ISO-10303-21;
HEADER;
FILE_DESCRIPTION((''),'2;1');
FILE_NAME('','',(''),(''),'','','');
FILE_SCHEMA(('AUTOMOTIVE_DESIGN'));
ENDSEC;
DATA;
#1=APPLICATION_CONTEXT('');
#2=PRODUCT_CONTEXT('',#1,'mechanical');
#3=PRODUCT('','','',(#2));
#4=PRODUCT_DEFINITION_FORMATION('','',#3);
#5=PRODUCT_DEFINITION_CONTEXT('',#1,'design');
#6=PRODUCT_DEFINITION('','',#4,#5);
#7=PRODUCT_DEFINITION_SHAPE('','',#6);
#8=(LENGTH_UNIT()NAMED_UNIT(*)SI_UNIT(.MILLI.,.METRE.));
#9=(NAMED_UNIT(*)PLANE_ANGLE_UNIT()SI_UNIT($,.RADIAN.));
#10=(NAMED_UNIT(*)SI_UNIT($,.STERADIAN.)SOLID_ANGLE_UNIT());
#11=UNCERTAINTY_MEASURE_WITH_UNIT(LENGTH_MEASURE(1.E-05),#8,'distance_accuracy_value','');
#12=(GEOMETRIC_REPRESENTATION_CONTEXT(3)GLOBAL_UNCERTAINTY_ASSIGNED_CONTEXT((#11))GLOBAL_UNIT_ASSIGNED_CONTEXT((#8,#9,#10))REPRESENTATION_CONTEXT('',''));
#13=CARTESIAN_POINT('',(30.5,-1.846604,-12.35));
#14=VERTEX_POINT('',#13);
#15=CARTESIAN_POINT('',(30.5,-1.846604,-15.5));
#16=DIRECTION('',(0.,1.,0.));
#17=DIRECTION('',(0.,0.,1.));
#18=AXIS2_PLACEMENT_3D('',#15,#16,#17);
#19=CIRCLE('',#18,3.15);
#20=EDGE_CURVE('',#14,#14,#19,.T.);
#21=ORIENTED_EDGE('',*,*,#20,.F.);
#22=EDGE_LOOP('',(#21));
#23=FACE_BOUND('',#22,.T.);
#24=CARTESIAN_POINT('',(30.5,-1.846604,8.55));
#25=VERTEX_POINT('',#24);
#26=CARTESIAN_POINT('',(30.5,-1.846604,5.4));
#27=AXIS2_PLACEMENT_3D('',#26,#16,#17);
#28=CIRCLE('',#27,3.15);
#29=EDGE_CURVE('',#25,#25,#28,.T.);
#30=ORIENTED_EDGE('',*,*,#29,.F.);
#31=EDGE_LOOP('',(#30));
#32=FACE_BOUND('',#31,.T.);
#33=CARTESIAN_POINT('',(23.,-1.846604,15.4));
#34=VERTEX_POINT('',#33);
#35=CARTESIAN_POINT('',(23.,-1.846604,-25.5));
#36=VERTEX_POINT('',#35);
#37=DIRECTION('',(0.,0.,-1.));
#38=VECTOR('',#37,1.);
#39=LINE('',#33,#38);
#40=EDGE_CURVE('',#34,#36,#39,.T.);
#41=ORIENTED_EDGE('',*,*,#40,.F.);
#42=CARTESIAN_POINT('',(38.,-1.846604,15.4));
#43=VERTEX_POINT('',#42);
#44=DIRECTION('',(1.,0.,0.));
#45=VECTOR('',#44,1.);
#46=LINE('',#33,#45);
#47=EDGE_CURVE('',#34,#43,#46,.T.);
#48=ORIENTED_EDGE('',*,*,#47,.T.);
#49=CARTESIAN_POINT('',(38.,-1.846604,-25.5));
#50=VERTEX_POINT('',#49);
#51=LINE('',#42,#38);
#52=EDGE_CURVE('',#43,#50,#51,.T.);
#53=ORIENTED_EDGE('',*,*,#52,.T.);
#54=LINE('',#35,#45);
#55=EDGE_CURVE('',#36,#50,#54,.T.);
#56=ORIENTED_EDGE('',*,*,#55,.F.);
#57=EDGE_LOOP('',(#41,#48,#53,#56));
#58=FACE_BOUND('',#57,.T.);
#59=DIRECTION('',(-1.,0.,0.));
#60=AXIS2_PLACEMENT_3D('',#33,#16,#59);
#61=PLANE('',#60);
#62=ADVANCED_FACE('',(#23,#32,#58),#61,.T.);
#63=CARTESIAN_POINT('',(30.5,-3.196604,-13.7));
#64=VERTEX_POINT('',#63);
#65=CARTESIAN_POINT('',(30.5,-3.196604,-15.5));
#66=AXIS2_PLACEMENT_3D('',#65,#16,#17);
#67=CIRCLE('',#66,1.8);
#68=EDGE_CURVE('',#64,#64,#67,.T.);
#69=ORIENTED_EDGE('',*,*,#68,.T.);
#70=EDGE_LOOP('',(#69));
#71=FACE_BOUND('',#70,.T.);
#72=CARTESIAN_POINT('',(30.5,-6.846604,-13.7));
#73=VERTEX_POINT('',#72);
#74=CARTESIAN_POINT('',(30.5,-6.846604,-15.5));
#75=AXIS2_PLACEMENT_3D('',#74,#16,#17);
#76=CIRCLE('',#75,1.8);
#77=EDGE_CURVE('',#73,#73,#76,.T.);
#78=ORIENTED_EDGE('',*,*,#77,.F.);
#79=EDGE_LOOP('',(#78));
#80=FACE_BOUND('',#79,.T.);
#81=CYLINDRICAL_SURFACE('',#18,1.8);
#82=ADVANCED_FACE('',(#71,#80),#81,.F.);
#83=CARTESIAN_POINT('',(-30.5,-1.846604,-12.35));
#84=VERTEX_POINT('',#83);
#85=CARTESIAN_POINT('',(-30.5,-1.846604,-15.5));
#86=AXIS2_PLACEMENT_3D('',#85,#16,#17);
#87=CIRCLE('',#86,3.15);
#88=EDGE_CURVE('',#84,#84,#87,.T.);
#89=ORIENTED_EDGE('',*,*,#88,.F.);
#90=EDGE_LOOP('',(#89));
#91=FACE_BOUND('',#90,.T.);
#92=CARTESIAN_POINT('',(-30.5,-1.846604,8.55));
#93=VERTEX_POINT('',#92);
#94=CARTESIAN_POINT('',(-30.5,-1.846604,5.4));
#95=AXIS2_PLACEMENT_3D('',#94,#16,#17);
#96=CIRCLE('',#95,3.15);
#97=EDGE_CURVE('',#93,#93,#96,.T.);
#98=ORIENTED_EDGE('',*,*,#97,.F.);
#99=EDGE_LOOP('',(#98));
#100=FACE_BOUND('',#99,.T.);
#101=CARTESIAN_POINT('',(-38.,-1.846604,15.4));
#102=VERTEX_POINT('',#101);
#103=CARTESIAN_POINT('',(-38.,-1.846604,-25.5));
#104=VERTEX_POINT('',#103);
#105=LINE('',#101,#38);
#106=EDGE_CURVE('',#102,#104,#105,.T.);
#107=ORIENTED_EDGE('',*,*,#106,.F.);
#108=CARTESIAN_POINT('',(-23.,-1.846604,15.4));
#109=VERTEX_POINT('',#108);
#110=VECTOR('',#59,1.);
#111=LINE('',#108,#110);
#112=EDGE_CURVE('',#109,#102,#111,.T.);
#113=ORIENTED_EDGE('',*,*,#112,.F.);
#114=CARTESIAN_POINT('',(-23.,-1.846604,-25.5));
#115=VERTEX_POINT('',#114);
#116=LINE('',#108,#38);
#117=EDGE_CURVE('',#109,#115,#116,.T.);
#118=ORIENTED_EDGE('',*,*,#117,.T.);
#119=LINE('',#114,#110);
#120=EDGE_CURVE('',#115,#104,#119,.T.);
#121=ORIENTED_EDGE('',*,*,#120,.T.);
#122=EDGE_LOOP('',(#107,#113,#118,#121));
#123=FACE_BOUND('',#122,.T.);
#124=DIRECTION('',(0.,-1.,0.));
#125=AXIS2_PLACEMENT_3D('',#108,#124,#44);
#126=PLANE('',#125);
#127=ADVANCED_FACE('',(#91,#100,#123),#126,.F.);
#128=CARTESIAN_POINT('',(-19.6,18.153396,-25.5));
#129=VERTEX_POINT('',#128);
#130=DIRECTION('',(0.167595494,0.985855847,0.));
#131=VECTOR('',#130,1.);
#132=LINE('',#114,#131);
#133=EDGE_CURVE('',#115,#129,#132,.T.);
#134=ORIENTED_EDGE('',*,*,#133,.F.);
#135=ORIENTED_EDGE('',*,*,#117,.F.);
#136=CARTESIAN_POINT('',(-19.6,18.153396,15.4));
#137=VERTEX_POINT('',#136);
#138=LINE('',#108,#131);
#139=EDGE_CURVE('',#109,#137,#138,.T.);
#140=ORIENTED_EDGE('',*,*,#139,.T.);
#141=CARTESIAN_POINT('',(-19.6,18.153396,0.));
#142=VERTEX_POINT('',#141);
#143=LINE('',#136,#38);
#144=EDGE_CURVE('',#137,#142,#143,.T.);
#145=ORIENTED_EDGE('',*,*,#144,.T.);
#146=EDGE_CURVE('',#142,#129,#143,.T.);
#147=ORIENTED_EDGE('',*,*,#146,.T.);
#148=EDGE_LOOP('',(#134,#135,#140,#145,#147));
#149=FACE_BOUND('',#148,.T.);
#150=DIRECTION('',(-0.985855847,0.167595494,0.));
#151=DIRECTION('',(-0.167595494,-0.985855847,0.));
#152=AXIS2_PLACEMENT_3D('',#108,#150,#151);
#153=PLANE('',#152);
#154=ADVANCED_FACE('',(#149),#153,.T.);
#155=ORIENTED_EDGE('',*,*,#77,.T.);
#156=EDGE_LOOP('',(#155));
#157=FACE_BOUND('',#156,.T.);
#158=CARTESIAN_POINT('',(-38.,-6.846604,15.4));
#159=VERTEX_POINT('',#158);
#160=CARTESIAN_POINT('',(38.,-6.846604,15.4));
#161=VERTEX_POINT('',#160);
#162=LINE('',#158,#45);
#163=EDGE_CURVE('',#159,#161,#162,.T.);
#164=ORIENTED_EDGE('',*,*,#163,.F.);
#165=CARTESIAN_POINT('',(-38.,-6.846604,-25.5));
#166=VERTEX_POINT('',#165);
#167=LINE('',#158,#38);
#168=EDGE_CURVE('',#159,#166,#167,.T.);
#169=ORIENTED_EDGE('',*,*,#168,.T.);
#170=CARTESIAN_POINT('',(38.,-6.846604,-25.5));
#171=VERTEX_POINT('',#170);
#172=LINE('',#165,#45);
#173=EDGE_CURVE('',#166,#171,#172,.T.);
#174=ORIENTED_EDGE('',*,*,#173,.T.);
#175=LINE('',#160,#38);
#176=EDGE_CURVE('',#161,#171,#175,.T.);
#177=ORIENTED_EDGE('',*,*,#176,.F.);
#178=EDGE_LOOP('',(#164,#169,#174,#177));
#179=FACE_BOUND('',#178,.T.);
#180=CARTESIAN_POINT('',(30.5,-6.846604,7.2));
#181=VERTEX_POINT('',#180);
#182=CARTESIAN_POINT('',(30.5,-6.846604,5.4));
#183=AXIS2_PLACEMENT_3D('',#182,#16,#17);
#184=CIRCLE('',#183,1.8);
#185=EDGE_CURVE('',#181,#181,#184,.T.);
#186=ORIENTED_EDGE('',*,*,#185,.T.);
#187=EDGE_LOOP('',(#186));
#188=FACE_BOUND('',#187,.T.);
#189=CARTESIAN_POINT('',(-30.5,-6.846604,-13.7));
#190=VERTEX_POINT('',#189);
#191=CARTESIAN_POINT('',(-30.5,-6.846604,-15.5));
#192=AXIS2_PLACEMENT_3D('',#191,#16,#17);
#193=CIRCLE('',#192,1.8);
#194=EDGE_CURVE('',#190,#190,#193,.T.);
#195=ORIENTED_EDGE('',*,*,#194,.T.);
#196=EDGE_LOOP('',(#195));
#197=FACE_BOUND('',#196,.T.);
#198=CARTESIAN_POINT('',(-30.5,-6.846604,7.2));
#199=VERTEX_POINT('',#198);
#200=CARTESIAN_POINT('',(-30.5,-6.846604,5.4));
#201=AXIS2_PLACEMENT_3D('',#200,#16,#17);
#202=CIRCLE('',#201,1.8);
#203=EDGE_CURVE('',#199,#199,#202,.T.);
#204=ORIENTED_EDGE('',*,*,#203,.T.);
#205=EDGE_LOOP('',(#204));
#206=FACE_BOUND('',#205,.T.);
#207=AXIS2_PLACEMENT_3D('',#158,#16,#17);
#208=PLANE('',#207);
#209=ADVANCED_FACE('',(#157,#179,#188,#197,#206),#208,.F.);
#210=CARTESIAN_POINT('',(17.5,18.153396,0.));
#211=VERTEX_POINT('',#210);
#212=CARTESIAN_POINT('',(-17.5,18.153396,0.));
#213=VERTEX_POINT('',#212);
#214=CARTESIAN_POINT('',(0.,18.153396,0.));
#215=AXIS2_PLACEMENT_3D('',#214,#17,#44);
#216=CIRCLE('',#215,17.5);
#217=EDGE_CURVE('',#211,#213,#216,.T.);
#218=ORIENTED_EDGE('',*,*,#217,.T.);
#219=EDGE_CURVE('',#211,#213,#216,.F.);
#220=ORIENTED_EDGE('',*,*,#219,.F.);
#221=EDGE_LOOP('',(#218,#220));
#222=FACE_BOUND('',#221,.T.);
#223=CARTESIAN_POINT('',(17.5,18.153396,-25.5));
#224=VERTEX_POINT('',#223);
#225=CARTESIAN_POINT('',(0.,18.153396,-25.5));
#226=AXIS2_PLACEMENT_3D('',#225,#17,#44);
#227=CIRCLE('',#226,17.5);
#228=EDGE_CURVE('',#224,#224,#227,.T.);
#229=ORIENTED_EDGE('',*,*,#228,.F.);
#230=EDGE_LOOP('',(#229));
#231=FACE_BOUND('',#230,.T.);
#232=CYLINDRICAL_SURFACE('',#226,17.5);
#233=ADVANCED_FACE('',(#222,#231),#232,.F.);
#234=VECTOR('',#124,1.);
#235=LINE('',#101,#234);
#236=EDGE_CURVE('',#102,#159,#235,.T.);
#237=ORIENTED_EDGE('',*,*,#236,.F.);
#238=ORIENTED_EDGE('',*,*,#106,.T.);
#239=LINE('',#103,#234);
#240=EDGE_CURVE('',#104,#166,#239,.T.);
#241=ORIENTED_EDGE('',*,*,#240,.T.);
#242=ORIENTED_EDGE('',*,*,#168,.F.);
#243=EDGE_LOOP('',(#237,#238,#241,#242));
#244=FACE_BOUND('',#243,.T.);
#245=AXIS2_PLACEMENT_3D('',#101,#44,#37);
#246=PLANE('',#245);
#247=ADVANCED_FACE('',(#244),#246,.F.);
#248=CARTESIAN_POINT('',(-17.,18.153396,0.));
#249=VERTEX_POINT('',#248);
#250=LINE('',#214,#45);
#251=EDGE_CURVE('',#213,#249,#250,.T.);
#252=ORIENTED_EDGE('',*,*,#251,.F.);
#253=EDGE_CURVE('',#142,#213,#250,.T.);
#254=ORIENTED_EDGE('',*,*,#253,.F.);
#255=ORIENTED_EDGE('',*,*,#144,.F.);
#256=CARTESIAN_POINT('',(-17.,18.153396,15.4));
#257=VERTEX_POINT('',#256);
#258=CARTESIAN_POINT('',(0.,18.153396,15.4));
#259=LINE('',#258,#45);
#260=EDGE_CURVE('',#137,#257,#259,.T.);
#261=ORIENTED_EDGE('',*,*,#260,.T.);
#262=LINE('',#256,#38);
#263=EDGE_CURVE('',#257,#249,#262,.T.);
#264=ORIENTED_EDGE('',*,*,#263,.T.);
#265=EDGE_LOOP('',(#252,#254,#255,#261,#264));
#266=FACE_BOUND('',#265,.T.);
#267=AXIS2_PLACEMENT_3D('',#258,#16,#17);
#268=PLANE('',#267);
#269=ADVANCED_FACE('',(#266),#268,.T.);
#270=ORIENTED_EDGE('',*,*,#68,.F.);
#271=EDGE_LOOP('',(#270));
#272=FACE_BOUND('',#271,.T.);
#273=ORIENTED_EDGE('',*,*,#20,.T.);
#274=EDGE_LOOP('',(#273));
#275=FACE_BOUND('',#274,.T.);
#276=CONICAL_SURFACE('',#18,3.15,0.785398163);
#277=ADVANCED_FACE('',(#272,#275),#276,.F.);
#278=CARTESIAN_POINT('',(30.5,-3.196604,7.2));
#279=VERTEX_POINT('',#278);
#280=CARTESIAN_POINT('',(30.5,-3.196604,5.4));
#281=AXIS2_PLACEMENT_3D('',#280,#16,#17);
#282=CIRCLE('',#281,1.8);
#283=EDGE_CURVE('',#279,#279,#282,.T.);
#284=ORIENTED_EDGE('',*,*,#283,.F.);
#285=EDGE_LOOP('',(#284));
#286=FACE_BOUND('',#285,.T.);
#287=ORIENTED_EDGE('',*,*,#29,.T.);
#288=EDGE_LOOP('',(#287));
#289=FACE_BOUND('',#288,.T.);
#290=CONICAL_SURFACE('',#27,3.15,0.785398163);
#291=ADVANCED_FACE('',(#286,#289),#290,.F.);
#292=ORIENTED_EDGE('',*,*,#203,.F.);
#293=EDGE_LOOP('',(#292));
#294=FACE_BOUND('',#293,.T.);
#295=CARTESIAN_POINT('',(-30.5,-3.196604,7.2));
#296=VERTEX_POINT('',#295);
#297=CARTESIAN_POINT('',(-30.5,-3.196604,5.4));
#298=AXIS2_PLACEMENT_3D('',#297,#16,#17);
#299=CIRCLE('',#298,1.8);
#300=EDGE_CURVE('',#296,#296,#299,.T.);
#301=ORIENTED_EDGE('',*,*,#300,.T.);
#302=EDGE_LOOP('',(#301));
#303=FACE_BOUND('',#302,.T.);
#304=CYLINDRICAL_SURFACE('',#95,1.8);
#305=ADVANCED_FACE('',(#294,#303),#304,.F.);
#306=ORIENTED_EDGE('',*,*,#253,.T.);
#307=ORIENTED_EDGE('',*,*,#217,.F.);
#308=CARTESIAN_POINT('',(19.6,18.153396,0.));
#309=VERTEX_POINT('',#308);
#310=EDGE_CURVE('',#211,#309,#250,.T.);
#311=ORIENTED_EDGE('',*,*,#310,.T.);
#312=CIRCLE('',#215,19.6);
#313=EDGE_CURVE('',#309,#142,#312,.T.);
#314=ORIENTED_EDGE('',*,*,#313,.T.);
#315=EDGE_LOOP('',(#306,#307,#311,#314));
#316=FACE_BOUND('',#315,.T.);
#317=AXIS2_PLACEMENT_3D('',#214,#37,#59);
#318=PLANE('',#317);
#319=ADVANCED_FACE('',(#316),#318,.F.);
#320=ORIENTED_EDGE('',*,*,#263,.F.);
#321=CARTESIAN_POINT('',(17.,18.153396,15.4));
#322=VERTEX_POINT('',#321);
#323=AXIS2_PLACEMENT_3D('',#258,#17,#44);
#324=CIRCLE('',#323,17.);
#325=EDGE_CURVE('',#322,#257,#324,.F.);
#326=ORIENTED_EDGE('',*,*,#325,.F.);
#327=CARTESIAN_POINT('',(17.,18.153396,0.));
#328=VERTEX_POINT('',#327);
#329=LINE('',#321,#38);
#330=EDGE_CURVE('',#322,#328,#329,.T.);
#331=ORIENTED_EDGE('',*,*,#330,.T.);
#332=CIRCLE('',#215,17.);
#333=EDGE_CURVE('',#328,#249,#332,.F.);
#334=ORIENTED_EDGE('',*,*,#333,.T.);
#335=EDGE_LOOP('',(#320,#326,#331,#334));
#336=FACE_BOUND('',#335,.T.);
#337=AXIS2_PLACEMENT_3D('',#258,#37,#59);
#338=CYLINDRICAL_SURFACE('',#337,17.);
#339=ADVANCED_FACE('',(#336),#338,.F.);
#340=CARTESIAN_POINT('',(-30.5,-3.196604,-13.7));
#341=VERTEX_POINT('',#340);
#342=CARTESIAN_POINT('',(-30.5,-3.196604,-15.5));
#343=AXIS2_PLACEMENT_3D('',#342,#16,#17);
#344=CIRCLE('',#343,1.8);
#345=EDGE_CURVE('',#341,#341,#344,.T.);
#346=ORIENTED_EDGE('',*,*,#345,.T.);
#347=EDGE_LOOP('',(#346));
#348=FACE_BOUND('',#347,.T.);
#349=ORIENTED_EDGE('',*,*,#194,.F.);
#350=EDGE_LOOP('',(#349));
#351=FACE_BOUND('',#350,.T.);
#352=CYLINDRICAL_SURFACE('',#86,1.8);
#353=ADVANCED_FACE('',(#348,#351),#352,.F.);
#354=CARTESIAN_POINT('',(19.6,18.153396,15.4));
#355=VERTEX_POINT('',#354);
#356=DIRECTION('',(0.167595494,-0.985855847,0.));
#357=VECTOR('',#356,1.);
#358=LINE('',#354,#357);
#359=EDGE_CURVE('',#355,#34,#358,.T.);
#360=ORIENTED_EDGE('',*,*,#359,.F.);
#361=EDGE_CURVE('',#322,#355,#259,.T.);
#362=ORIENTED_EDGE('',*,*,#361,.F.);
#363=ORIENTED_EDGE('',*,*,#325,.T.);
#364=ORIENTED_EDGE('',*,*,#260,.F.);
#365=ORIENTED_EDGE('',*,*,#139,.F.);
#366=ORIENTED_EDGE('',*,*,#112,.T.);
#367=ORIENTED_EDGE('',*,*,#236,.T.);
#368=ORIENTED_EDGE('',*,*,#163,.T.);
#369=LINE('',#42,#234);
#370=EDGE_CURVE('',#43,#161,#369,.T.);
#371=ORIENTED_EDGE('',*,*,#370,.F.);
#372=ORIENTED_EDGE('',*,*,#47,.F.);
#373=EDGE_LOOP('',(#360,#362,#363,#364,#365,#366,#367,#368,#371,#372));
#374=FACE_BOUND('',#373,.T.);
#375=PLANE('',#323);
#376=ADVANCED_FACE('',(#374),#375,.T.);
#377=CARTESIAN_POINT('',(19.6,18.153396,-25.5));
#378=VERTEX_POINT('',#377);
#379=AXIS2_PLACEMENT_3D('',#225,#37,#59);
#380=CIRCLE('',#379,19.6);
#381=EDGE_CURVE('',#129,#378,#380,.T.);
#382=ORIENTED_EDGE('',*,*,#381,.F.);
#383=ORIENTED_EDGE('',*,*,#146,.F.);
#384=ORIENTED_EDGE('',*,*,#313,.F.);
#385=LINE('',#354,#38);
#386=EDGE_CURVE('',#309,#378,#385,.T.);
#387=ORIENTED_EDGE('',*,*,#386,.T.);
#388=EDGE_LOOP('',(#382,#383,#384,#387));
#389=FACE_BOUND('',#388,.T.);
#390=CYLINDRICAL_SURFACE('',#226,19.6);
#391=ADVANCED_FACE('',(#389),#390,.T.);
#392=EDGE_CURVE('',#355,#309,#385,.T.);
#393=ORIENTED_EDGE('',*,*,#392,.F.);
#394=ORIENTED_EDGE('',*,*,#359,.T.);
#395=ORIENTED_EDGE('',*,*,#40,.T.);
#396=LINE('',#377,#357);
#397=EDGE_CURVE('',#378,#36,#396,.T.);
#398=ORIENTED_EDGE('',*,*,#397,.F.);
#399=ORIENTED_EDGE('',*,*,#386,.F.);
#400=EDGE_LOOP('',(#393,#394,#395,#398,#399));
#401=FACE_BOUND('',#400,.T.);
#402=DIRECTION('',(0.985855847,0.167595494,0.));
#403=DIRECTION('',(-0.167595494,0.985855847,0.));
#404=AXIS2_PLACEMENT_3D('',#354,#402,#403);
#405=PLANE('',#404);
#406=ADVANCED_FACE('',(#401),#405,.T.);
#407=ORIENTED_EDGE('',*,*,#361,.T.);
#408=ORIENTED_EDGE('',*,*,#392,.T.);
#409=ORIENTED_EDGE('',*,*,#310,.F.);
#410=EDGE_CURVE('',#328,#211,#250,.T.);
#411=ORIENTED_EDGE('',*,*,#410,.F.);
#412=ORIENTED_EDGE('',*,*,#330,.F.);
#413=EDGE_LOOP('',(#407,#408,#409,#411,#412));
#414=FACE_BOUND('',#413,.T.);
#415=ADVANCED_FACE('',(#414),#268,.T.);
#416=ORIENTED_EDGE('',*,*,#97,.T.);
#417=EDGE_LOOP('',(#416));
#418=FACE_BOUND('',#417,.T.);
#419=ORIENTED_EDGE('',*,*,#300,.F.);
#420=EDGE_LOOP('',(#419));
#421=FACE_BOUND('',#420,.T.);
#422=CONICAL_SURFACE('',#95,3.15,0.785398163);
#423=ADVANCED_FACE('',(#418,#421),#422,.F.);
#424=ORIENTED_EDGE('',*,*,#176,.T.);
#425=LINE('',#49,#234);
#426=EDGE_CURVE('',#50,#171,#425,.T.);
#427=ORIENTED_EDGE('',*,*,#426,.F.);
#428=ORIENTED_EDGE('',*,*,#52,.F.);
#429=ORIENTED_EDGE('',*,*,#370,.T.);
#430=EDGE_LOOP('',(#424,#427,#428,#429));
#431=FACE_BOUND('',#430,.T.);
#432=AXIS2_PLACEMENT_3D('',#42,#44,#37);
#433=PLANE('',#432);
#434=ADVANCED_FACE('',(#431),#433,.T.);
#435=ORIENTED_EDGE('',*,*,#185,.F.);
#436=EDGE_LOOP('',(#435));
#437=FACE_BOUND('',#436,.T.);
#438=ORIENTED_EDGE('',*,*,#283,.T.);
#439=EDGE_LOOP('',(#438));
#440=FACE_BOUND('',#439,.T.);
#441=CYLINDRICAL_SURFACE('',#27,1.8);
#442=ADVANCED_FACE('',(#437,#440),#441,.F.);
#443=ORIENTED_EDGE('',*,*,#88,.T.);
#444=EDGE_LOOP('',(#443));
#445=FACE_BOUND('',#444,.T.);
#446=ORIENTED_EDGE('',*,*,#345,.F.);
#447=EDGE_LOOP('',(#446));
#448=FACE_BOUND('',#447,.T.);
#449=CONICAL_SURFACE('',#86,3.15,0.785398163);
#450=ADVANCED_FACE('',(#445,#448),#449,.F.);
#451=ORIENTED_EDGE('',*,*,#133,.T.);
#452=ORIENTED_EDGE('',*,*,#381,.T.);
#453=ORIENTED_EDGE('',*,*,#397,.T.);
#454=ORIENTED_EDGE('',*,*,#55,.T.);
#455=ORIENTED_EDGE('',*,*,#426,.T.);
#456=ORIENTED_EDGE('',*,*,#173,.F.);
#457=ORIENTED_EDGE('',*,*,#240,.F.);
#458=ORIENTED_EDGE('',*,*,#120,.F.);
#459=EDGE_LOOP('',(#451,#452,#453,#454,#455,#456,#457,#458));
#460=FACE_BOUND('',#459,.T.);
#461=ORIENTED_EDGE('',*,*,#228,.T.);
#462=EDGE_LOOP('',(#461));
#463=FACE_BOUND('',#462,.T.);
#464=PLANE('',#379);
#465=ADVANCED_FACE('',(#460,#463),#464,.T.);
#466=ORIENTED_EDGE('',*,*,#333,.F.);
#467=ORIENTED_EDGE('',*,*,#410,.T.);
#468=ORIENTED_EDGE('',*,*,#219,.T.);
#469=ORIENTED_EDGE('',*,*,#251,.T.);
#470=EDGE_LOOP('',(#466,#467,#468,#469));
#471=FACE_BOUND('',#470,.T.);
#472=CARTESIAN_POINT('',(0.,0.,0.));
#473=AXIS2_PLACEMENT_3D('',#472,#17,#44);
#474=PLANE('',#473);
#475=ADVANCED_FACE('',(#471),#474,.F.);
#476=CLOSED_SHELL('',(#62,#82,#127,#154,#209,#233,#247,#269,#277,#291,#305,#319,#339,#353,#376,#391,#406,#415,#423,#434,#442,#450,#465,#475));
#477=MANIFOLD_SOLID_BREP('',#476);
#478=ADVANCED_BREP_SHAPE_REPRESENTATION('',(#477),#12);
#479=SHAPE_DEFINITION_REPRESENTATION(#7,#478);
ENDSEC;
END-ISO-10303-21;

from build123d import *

# Parameters (mm, degrees)
SKETCH1_R                                       = 17.5
BOSS_EXTRUDE9_DEPTH                             = 25.5
BOSS_EXTRUDE10_DEPTH                            = 15.4
BOSS_EXTRUDE10_DEPTH_BACK                       = 25.5
CSK_FOR_M3_FLAT_HEAD_MACHINE_SCREW1_D           = 3.6
CSK_FOR_M3_FLAT_HEAD_MACHINE_SCREW1_CSINK_D     = 6.3
CSK_FOR_M3_FLAT_HEAD_MACHINE_SCREW1_CSINK_ANGLE = 90
CSK_FOR_M3_FLAT_HEAD_MACHINE_SCREW2_D           = 3.6
CSK_FOR_M3_FLAT_HEAD_MACHINE_SCREW2_CSINK_D     = 6.3
CSK_FOR_M3_FLAT_HEAD_MACHINE_SCREW2_CSINK_ANGLE = 90
BOSS_EXTRUDE11_DEPTH                            = 15.4


with BuildPart() as part:
    # Sketch1 → Boss-Extrude9 (new body)
    with BuildSketch(Plane.XY):
        with BuildLine():
            ThreePointArc((-19.6, 18.153395679), (0, 37.753395679), (19.6, 18.153395679))
            ThreePointArc((19.6, 18.153395679), (0, -1.446604321), (-19.6, 18.153395679))
        make_face()
        with Locations((0, 18.153395679)):
            Circle(SKETCH1_R, mode=Mode.SUBTRACT)
    extrude(amount=-BOSS_EXTRUDE9_DEPTH)

    # Sketch1<15> → Boss-Extrude10 (add, two sides: drawn at the far end of the back side and taken through both)
    with BuildSketch(Plane.XY.offset(-BOSS_EXTRUDE10_DEPTH_BACK)):
        with BuildLine():
            Line((-23, -1.846604321), (-38, -1.846604321))
            Line((-38, -1.846604321), (-38, -6.846604321))
            Line((-38, -6.846604321), (38, -6.846604321))
            Line((38, -6.846604321), (38, -1.846604321))
            Line((38, -1.846604321), (23, -1.846604321))
            Line((23, -1.846604321), (19.6, 18.153395679))
            ThreePointArc((19.6, 18.153395679), (0, -1.446604321), (-19.6, 18.153395679))
            Line((-19.6, 18.153395679), (-23, -1.846604321))
        make_face()
    extrude(amount=BOSS_EXTRUDE10_DEPTH + BOSS_EXTRUDE10_DEPTH_BACK)

    # CSK for M3 Flat Head Machine Screw1 (through all)
    with Locations(Plane(origin=(0, -1.846604321, 0), x_dir=(1, 0, 0), z_dir=(0, 1, 0))):
        with Locations((-30.5, 15.5), (-30.5, -5.4)):
            CounterSinkHole(CSK_FOR_M3_FLAT_HEAD_MACHINE_SCREW1_D / 2, CSK_FOR_M3_FLAT_HEAD_MACHINE_SCREW1_CSINK_D / 2, counter_sink_angle=CSK_FOR_M3_FLAT_HEAD_MACHINE_SCREW1_CSINK_ANGLE)

    # CSK for M3 Flat Head Machine Screw2 (through all)
    with Locations(Plane(origin=(0, -1.846604321, 0), x_dir=(1, 0, 0), z_dir=(0, 1, 0))):
        with Locations((30.5, -5.4), (30.5, 15.5)):
            CounterSinkHole(CSK_FOR_M3_FLAT_HEAD_MACHINE_SCREW2_D / 2, CSK_FOR_M3_FLAT_HEAD_MACHINE_SCREW2_CSINK_D / 2, counter_sink_angle=CSK_FOR_M3_FLAT_HEAD_MACHINE_SCREW2_CSINK_ANGLE)

    # Sketch1<19> → Boss-Extrude11 (add)
    with BuildSketch(Plane.XY):
        with BuildLine():
            ThreePointArc((-19.6, 18.153395679), (0, -1.446604321), (19.6, 18.153395679))
            Line((19.6, 18.153395679), (17, 18.153395679))
            ThreePointArc((17, 18.153395679), (0, 1.153395679), (-17, 18.153395679))
            Line((-17, 18.153395679), (-19.6, 18.153395679))
        make_face()
    extrude(amount=BOSS_EXTRUDE11_DEPTH)


solid = part.part
